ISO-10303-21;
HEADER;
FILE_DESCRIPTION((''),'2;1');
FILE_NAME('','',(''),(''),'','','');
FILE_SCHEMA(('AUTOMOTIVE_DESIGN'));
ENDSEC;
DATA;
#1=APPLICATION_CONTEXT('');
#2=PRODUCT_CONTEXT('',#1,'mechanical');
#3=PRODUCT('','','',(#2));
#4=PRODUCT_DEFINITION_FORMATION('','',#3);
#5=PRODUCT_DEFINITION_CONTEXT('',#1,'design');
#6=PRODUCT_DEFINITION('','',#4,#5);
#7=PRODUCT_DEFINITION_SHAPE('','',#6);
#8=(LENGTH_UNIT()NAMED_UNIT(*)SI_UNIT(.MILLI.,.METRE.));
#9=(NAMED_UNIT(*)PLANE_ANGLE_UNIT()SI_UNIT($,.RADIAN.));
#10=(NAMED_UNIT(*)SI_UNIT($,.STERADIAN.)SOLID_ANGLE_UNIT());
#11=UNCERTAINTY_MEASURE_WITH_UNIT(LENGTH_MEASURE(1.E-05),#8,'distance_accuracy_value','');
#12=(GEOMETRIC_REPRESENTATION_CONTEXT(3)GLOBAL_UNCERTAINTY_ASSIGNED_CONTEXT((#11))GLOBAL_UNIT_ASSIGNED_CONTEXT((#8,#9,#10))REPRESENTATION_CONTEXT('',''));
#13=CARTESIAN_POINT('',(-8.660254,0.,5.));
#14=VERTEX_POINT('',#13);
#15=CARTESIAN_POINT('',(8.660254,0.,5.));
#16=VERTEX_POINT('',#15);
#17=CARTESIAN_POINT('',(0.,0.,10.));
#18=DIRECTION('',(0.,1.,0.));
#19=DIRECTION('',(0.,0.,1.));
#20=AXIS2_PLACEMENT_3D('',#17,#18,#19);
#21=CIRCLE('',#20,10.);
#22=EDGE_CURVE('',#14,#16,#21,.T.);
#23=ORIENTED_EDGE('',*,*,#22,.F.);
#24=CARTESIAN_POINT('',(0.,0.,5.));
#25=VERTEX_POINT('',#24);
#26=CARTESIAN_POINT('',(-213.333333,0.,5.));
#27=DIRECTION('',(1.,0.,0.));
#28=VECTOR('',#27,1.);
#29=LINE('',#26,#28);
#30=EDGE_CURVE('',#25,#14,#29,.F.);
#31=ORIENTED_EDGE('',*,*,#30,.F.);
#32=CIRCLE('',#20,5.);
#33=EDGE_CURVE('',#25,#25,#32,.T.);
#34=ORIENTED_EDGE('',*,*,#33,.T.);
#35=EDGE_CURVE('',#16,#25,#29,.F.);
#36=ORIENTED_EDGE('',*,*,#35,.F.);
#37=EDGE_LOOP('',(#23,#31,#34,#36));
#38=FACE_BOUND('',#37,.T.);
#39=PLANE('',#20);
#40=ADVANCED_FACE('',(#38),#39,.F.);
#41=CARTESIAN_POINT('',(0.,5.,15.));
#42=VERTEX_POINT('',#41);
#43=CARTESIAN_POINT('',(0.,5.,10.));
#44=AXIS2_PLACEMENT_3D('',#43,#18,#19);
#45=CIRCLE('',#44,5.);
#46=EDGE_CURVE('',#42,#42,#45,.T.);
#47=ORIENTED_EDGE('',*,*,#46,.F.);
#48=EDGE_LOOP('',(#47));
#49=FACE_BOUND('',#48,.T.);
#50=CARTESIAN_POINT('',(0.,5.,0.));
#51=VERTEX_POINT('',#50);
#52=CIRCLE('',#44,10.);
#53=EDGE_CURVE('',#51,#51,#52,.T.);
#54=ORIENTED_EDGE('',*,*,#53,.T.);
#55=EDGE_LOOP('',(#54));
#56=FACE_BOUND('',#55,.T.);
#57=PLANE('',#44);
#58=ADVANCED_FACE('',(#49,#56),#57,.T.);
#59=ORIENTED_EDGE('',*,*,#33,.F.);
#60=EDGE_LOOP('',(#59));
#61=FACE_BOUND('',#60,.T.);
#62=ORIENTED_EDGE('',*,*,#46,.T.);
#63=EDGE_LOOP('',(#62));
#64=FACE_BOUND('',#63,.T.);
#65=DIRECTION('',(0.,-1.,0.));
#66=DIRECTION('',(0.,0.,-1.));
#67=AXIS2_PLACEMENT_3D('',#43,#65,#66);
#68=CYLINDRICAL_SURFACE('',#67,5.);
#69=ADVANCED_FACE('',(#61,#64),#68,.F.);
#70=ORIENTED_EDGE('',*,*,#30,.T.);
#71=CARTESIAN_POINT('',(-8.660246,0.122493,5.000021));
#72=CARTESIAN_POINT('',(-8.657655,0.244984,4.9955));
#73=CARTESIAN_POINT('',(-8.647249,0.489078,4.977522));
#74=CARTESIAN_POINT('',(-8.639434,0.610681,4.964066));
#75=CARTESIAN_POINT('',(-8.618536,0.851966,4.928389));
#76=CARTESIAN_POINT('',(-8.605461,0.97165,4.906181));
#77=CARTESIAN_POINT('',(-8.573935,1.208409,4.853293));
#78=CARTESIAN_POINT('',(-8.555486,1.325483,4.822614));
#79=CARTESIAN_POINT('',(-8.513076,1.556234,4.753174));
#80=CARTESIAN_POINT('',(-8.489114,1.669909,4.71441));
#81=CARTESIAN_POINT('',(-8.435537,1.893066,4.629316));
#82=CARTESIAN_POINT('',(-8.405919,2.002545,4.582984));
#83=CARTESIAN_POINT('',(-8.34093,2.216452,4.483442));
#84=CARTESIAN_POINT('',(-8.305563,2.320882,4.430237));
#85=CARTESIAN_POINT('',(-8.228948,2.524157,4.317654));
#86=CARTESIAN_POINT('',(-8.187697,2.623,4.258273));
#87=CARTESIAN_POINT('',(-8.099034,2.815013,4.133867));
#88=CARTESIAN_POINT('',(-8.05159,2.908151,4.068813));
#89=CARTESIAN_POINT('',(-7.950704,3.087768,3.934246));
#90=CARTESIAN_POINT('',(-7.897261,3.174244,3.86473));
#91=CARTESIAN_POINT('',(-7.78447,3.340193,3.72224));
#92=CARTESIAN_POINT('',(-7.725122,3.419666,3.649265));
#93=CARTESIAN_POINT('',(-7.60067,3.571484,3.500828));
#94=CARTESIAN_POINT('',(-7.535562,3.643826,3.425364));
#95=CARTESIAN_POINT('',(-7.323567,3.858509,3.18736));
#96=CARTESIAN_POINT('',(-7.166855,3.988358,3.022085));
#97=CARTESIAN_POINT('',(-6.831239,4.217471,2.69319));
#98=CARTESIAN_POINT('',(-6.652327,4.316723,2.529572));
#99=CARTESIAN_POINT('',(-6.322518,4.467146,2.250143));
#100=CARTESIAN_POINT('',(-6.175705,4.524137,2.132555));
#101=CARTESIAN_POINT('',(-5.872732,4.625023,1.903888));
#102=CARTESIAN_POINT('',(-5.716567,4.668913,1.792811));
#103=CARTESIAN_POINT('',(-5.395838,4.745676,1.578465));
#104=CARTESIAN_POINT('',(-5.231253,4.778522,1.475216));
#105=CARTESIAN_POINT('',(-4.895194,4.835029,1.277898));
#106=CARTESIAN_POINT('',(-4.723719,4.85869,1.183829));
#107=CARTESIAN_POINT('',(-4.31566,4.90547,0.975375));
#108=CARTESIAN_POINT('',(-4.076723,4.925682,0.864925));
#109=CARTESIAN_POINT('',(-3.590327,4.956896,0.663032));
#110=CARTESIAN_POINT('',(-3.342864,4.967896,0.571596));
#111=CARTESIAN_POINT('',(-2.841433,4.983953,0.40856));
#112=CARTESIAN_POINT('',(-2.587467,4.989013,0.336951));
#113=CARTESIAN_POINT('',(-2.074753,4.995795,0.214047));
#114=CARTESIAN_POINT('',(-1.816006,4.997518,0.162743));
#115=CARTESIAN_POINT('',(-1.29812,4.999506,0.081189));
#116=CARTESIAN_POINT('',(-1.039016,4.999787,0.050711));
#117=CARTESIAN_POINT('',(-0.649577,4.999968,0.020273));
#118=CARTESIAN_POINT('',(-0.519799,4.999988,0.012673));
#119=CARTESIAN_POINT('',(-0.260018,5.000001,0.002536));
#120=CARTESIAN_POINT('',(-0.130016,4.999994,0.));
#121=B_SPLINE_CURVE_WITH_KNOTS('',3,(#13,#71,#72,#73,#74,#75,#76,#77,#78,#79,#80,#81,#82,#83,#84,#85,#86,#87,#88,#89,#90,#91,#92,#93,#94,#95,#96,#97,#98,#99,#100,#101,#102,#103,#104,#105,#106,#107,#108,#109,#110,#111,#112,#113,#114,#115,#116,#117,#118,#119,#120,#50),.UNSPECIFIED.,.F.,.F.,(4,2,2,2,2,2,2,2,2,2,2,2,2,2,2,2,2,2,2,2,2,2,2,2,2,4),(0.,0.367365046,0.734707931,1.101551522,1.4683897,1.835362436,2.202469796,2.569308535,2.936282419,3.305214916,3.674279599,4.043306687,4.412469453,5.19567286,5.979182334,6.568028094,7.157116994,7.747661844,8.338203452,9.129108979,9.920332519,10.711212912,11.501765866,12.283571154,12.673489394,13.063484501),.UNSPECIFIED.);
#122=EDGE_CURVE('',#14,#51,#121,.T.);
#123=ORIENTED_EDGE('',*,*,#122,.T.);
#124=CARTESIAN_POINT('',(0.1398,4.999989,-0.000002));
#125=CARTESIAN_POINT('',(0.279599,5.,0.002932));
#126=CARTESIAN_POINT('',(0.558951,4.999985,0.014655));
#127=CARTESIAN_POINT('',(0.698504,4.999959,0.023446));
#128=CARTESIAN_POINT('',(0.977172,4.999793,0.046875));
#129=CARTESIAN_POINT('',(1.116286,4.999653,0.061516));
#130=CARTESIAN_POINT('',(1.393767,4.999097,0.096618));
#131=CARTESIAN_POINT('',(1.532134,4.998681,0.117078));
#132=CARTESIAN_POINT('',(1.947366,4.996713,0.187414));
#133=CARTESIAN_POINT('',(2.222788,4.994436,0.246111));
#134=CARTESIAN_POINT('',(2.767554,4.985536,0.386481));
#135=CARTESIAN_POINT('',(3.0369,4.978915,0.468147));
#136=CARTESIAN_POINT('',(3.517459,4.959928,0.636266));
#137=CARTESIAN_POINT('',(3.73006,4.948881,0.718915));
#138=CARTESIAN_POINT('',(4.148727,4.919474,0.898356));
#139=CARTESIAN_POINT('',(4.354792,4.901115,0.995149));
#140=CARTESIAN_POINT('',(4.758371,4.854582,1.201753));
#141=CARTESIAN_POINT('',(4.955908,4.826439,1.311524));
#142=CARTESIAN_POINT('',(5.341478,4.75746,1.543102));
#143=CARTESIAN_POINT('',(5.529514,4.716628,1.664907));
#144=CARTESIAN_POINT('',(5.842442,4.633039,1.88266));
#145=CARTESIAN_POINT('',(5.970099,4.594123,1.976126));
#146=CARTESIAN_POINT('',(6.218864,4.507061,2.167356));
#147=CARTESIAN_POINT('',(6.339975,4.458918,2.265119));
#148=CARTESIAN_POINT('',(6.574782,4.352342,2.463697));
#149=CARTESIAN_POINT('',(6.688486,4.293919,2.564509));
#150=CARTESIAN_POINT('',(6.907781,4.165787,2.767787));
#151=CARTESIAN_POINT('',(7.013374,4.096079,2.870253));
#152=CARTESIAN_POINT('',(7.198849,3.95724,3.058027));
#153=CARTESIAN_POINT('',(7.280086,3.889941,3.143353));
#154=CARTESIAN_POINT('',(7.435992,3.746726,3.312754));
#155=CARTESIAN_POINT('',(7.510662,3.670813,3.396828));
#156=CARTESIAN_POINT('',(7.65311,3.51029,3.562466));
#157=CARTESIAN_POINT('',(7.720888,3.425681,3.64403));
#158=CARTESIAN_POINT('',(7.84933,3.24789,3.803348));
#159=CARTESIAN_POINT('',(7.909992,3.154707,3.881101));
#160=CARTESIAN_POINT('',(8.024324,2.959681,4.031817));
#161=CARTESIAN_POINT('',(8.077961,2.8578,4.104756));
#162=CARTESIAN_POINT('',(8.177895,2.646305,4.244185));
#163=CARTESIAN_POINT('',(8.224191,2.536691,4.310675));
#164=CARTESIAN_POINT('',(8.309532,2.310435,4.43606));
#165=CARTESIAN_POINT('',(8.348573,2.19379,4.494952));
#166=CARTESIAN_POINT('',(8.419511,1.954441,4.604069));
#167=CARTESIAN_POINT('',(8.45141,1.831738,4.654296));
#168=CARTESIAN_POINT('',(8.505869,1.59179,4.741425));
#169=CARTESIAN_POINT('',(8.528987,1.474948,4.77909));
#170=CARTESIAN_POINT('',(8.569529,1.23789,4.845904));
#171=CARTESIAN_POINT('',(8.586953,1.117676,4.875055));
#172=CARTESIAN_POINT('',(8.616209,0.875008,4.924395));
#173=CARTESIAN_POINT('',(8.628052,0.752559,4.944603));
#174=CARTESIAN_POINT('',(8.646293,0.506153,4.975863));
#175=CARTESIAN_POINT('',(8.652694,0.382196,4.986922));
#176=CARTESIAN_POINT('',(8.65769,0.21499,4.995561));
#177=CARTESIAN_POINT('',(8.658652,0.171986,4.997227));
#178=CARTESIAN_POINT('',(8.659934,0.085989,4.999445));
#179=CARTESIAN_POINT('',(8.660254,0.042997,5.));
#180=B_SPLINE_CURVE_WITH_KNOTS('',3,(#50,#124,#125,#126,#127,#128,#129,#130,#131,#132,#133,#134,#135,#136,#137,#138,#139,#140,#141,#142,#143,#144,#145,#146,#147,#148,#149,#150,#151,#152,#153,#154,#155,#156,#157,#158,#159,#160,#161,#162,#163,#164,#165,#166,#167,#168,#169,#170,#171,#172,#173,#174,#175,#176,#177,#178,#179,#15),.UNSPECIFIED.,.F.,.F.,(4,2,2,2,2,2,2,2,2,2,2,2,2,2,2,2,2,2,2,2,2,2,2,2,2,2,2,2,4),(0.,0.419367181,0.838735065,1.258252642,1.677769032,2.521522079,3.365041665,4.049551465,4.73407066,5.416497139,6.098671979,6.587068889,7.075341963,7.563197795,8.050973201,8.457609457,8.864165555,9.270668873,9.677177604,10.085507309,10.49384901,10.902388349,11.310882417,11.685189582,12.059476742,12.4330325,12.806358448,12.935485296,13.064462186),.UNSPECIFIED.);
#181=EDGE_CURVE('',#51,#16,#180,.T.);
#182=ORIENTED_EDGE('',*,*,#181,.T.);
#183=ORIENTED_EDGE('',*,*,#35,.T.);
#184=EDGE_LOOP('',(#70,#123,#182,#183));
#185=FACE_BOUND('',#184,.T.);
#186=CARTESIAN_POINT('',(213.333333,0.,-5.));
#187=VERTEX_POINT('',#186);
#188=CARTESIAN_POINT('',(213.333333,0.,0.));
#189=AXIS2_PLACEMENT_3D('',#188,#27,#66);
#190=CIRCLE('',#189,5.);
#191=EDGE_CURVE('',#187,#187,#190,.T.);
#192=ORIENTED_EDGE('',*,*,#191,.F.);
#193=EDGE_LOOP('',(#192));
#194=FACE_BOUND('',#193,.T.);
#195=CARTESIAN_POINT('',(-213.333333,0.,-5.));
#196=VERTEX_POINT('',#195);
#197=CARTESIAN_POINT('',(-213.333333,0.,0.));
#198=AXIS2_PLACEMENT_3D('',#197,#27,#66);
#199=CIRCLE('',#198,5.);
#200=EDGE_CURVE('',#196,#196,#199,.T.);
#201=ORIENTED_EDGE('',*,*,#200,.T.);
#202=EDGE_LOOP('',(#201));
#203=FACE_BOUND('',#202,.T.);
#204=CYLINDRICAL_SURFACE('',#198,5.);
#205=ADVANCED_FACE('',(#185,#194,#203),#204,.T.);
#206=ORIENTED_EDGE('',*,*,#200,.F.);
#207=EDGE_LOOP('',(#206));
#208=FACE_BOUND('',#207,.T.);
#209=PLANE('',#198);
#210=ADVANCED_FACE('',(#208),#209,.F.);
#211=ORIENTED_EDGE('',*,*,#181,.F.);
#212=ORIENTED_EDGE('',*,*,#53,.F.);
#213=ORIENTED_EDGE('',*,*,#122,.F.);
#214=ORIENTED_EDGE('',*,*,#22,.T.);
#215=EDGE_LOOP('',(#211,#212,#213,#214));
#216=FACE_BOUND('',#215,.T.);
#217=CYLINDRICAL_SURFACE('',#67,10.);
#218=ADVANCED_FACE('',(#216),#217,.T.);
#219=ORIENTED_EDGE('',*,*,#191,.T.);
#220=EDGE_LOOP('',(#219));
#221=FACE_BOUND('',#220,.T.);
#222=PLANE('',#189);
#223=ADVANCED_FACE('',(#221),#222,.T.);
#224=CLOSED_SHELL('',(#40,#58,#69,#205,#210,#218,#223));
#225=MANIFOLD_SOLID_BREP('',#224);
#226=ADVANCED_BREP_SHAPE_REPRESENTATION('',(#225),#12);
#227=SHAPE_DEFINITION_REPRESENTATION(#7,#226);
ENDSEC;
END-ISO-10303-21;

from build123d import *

# Parameters (mm, degrees)
BALAYAGE1_PROFILE_R = 5
ESQUISSE2_R         = 10
ESQUISSE2_R_2       = 5
BOSS_EXTRU_1_DEPTH  = 5


with BuildPart() as part:
    # Balayage1: sweep along a path in Esquisse1
    with BuildLine(Plane.XY) as balayage1_path:
        Line((-213.333333333, 0), (213.333333333, 0))
    # Balayage1 profile (on start of the path) → Balayage1 (sweep)
    with BuildSketch(Plane(origin=(-213.333333333, 0, 0), x_dir=(0, 0, 1), z_dir=(1, 0, 0))):
        Circle(BALAYAGE1_PROFILE_R)
    sweep(path=balayage1_path.line)

    # Esquisse2 → Boss.-Extru.1 (add)
    with BuildSketch(Plane(origin=(0, 0, 0), x_dir=(1, 0, 0), z_dir=(0, 1, 0))):
        with Locations((0, -10)):
            Circle(ESQUISSE2_R)
        with Locations(Location((0, -10, 0), (0, 0, 90))):
            Circle(ESQUISSE2_R_2, mode=Mode.SUBTRACT)
    extrude(amount=BOSS_EXTRU_1_DEPTH)


solid = part.part
